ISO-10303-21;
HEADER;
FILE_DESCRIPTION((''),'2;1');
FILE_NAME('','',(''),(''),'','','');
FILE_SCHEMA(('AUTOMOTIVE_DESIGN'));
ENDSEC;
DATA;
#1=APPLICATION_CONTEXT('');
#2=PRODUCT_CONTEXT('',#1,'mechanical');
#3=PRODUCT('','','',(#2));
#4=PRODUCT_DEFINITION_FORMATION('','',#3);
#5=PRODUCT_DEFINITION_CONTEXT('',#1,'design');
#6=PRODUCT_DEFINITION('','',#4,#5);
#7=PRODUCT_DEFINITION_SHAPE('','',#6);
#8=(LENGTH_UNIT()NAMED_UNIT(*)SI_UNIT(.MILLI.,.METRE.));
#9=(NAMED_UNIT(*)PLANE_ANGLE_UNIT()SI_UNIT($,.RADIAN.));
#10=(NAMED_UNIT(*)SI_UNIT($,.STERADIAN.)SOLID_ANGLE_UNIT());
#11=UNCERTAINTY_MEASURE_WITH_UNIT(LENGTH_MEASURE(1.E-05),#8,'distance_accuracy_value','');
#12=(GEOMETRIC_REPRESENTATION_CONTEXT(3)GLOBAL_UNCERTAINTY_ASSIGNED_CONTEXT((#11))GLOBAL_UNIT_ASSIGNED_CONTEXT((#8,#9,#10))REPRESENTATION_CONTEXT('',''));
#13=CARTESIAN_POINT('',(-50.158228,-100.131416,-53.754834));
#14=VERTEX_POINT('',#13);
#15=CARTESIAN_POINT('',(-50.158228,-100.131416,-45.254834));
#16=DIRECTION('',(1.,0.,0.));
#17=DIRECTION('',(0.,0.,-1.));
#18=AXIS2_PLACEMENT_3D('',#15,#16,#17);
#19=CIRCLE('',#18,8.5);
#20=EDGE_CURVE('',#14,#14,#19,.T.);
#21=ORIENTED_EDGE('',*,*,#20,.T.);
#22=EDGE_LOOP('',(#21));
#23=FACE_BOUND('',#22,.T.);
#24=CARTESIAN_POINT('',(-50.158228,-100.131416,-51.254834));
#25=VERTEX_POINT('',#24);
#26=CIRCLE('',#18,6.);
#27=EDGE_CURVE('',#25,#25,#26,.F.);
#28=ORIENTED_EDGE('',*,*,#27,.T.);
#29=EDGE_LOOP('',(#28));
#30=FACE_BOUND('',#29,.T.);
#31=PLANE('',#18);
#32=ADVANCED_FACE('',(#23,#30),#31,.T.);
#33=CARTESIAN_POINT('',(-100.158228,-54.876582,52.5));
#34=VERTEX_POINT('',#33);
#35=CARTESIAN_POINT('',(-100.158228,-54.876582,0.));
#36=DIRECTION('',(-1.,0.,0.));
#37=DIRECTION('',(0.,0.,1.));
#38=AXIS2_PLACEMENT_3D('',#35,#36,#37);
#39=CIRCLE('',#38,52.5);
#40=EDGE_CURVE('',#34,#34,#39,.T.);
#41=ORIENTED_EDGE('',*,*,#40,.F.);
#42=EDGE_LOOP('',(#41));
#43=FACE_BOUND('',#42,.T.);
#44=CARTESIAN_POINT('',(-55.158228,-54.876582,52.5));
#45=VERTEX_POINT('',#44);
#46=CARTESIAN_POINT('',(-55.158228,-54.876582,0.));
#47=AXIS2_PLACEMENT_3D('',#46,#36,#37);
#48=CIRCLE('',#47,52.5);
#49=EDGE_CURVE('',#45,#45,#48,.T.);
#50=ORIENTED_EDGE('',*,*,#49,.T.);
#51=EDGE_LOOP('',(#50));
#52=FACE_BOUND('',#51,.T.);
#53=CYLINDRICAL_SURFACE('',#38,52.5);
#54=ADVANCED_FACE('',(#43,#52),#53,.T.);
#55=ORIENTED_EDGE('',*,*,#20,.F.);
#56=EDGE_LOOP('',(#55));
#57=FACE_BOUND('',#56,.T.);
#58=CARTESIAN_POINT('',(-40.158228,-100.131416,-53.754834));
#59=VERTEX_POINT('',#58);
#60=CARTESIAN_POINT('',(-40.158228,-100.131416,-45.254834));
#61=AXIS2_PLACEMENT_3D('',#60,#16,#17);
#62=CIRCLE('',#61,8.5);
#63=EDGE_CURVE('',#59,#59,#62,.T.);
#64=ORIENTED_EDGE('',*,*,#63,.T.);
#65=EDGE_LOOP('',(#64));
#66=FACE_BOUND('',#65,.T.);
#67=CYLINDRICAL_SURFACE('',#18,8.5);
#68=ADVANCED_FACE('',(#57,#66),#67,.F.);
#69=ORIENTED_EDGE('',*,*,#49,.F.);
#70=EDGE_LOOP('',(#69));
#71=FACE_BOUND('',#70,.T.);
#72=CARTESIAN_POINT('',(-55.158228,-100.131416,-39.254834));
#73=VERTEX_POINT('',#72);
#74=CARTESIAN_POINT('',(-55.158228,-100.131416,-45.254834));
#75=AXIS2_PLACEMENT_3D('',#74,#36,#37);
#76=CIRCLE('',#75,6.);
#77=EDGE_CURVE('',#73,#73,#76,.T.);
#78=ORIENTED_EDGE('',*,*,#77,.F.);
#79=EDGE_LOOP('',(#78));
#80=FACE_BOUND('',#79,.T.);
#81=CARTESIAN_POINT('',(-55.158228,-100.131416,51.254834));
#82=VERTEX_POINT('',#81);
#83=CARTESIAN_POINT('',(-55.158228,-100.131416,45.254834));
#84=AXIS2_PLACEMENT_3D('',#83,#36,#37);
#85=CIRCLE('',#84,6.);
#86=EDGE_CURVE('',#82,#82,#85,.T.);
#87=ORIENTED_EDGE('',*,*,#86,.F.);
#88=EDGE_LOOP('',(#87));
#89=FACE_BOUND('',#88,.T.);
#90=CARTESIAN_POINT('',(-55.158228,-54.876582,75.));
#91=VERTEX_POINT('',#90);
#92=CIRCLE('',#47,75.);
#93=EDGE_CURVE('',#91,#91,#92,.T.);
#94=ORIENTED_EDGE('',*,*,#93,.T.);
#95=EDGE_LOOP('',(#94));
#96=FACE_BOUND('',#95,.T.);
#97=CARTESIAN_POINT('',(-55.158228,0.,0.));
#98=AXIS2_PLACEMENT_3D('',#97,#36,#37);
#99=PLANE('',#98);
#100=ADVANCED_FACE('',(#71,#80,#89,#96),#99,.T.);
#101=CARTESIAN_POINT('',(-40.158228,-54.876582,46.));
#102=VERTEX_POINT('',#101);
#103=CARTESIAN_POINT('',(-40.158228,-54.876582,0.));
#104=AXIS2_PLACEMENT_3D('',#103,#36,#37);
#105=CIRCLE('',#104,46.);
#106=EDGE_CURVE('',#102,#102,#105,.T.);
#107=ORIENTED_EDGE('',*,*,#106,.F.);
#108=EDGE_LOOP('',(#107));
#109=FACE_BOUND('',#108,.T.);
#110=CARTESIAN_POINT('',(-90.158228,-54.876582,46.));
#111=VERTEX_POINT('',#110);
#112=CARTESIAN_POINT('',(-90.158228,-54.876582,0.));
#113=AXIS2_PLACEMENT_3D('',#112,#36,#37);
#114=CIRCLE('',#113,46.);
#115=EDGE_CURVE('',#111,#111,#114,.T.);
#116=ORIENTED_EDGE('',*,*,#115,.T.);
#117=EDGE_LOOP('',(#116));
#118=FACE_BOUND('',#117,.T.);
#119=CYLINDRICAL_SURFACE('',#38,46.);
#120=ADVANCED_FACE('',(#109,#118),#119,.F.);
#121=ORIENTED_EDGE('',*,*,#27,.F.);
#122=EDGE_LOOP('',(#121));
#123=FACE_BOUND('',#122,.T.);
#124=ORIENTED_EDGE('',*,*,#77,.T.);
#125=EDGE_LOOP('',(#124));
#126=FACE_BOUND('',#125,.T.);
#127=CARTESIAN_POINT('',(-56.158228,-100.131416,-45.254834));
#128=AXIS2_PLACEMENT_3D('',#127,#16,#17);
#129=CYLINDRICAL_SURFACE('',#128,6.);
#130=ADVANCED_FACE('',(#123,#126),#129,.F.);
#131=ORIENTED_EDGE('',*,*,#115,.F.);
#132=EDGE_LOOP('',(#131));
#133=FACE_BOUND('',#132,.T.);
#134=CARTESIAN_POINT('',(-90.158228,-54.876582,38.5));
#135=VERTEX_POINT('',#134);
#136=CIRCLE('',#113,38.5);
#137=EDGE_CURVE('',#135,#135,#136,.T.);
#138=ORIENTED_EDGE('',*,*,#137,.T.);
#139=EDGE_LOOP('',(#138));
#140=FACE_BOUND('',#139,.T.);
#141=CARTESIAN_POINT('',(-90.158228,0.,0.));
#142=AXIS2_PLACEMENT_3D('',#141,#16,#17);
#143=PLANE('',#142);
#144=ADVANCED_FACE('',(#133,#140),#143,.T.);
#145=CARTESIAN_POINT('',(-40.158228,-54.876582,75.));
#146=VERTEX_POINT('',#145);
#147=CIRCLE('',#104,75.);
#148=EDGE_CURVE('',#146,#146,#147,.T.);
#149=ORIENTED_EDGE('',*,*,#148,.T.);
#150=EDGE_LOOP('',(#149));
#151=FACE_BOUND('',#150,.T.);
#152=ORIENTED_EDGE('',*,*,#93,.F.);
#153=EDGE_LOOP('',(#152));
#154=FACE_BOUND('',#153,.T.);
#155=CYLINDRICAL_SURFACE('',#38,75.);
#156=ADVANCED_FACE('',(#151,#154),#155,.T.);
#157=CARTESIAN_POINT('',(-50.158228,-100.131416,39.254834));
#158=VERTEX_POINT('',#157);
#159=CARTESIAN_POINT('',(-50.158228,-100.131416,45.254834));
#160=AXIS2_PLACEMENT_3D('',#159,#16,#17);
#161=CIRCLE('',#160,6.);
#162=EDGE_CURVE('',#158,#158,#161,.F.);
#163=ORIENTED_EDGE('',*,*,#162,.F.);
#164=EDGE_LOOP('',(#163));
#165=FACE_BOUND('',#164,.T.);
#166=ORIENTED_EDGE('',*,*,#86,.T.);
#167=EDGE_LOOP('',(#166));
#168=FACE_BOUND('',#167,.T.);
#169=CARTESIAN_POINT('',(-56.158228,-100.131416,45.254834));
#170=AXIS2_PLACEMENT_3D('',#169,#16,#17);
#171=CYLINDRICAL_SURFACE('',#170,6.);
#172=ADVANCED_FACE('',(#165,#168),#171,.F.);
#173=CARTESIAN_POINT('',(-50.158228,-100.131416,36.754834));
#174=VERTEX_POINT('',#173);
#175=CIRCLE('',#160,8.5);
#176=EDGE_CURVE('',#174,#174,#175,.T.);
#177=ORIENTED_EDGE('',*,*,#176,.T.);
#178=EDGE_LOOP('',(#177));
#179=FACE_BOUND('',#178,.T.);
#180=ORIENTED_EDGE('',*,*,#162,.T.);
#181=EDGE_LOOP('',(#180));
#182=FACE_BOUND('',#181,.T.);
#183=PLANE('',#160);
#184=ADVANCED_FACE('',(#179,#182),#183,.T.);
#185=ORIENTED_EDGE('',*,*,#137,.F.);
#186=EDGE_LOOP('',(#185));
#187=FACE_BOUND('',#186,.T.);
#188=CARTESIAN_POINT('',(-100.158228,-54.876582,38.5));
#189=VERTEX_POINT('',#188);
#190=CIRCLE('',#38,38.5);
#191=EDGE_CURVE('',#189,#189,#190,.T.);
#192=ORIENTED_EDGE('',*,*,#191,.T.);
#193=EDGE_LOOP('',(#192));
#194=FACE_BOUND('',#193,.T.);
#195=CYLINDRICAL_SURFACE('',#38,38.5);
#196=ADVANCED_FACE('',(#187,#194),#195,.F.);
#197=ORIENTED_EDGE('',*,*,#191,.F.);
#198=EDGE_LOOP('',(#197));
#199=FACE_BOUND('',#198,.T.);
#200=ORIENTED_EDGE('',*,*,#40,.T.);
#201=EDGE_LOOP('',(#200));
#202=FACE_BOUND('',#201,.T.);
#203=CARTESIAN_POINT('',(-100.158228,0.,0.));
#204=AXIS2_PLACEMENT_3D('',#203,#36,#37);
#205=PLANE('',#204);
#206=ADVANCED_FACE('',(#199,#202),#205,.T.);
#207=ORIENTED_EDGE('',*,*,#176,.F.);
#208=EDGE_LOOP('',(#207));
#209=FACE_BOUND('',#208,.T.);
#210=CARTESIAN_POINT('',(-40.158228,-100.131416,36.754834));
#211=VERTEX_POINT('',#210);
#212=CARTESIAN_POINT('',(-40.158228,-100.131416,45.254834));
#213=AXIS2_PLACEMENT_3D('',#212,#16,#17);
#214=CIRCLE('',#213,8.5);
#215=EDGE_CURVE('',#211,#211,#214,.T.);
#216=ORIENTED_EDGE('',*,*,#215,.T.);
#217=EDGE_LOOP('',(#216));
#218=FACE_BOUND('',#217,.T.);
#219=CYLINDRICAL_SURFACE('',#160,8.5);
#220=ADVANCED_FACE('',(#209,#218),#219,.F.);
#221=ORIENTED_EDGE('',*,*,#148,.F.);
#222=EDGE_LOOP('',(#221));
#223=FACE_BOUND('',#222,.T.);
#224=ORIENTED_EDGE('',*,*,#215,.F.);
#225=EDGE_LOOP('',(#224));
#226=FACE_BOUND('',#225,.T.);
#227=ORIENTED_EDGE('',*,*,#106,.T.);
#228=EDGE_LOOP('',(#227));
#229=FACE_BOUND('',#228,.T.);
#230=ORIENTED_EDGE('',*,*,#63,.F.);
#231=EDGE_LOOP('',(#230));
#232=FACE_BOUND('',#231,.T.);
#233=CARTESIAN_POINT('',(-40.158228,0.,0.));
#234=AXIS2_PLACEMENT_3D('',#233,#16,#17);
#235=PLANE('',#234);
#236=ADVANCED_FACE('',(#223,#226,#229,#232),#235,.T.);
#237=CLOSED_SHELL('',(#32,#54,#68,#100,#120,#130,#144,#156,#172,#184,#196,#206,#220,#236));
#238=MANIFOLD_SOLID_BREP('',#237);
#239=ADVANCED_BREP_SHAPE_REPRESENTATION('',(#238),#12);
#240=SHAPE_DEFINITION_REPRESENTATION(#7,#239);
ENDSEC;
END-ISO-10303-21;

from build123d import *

# Parameters (mm, degrees)
SKETCH3_R          = 6
CUT_EXTRUDE2_DEPTH = 16
SKETCH4_R          = 8.5
CUT_EXTRUDE3_DEPTH = 10


with BuildPart() as part:
    # Sketch1 → Revolve1 (revolve)
    with BuildSketch(Plane.XY, mode=Mode.PRIVATE) as revolve1_sk:
        Polygon((-90.158227848, -16.376582278), (-100.158227848, -16.376582278), (-100.158227848, -2.376582278), (-55.158227848, -2.376582278), (-55.158227848, 20.123417722), (-40.158227848, 20.123417722), (-40.158227848, -8.876582278), (-90.158227848, -8.876582278), align=None)
    revolve(revolve1_sk.sketch.rotate(Axis((-100.158227848, -54.876582278, 0), (1, 0, 0)), 90), axis=Axis((-100.158227848, -54.876582278, 0), (1, 0, 0)))

    # Sketch3 → Cut-Extrude2 (cut)
    with BuildSketch(Plane(origin=(-40.158227848, 0, 0), x_dir=(0, 0, -1), z_dir=(1, 0, 0))):
        with Locations((45.254833996, -100.131416274)):
            Circle(SKETCH3_R)
        with Locations(Location((-45.254833996, -100.131416274, 0), (0, 0, 180))):
            Circle(SKETCH3_R)
    extrude(amount=-CUT_EXTRUDE2_DEPTH, mode=Mode.SUBTRACT)

    # Sketch4 → Cut-Extrude3 (cut)
    with BuildSketch(Plane(origin=(-40.158227848, 0, 0), x_dir=(0, 0, -1), z_dir=(1, 0, 0))):
        with Locations((-45.254833996, -100.131416274)):
            Circle(SKETCH4_R)
        with Locations((45.254833996, -100.131416274)):
            Circle(SKETCH4_R)
    extrude(amount=-CUT_EXTRUDE3_DEPTH, mode=Mode.SUBTRACT)


solid = part.part
